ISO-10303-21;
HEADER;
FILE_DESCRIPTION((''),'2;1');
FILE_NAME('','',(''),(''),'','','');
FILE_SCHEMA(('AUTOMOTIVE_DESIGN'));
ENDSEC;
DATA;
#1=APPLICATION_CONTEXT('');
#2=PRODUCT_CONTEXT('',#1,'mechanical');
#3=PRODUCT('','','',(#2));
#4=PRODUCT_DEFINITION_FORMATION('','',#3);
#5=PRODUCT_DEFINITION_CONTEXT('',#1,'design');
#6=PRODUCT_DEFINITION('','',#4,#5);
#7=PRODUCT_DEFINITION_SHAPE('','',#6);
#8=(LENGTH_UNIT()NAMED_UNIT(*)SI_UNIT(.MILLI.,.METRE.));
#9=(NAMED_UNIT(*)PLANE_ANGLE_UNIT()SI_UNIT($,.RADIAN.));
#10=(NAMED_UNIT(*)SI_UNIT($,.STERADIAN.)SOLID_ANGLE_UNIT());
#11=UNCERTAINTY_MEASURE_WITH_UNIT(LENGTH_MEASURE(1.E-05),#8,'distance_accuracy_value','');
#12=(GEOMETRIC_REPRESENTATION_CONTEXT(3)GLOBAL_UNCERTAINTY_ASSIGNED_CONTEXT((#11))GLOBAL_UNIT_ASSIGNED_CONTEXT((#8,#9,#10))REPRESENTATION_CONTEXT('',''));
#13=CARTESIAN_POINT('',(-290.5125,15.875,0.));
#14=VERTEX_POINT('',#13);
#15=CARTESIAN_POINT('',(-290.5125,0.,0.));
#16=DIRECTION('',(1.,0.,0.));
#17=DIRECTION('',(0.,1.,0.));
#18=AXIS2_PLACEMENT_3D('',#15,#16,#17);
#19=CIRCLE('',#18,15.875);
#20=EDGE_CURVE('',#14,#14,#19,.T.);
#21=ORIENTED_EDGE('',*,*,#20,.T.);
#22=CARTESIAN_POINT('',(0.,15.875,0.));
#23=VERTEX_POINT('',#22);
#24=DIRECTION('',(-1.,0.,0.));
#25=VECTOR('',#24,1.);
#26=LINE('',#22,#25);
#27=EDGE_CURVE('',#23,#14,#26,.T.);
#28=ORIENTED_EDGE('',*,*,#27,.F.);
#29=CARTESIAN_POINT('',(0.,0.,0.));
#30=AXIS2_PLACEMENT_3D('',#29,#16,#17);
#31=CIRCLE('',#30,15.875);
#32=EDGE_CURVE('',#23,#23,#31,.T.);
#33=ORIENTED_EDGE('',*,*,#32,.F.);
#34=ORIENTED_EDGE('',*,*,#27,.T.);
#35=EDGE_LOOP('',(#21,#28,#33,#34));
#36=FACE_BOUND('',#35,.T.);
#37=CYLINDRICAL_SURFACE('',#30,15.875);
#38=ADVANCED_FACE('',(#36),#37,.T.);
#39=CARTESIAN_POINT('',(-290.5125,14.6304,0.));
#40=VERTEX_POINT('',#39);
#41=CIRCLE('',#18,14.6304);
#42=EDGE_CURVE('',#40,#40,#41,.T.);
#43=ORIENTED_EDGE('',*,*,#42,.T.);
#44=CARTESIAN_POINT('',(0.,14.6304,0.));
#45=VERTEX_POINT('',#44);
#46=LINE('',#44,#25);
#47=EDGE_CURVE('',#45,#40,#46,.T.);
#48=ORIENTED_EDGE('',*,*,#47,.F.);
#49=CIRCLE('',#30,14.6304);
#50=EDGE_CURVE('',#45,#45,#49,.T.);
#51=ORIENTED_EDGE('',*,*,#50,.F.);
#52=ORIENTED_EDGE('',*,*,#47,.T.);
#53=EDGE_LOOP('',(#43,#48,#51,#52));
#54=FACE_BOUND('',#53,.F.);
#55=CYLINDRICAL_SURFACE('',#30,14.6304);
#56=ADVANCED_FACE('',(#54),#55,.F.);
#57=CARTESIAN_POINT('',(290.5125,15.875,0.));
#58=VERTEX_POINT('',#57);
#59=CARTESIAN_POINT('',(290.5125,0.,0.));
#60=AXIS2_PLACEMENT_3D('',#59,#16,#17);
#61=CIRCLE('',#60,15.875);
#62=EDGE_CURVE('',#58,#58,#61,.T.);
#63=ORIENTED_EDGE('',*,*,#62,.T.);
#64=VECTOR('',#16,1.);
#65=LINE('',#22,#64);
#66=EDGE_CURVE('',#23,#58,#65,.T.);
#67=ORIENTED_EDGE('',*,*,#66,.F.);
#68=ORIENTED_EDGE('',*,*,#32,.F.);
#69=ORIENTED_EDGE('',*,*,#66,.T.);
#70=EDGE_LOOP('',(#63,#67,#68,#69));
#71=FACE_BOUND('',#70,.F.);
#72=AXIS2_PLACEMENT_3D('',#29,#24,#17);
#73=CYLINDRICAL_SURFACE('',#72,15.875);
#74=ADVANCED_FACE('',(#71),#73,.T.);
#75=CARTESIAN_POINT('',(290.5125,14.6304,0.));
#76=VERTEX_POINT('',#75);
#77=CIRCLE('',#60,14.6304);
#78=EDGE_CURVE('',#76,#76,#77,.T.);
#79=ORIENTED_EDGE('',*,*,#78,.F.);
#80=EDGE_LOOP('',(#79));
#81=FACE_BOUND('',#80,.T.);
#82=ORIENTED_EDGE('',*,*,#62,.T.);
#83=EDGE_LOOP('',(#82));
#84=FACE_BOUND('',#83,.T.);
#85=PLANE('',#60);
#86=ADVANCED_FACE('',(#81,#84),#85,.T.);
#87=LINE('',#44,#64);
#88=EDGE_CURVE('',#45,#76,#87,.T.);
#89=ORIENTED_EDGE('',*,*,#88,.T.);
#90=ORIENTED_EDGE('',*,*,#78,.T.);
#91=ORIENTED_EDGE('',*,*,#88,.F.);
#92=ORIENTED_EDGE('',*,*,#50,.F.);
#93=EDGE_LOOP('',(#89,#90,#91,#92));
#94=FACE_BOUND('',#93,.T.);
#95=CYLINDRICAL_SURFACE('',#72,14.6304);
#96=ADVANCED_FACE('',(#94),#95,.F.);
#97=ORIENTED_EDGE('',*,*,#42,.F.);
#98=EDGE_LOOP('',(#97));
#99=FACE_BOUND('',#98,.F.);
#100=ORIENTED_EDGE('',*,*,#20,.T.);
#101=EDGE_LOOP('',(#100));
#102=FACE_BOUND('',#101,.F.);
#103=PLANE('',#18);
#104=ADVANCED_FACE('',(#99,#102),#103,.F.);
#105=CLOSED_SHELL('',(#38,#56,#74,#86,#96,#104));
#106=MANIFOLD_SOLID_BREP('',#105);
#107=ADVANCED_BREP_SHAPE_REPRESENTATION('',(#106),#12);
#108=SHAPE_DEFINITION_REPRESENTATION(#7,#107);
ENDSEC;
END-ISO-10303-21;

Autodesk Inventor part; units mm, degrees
ref_plane "YZ Plane" through (0, 0, 0) normal (1, 0, 0) x (0, 1, 0)
ref_plane "XZ Plane" through (0, 0, 0) normal (0, 1, 0) x (-1, 0, 0)
ref_plane "XY Plane" through (0, 0, 0) normal (0, 0, 1) x (1, 0, 0)
sketch "Sketch1" plane through (0, 0, 0) normal (1, 0, 0) x (0, 1, 0)
  circle A0 centre (0, 0) radius 15.875
  circle A1 centre (0, 0) radius 14.6304
  dimension "d0" = 31.75
  dimension "d4" = 1.2446
extrude "Extrusion1" add sketch "Sketch1" along normal mid plane 581.025
properties part number "Intake Roller"
